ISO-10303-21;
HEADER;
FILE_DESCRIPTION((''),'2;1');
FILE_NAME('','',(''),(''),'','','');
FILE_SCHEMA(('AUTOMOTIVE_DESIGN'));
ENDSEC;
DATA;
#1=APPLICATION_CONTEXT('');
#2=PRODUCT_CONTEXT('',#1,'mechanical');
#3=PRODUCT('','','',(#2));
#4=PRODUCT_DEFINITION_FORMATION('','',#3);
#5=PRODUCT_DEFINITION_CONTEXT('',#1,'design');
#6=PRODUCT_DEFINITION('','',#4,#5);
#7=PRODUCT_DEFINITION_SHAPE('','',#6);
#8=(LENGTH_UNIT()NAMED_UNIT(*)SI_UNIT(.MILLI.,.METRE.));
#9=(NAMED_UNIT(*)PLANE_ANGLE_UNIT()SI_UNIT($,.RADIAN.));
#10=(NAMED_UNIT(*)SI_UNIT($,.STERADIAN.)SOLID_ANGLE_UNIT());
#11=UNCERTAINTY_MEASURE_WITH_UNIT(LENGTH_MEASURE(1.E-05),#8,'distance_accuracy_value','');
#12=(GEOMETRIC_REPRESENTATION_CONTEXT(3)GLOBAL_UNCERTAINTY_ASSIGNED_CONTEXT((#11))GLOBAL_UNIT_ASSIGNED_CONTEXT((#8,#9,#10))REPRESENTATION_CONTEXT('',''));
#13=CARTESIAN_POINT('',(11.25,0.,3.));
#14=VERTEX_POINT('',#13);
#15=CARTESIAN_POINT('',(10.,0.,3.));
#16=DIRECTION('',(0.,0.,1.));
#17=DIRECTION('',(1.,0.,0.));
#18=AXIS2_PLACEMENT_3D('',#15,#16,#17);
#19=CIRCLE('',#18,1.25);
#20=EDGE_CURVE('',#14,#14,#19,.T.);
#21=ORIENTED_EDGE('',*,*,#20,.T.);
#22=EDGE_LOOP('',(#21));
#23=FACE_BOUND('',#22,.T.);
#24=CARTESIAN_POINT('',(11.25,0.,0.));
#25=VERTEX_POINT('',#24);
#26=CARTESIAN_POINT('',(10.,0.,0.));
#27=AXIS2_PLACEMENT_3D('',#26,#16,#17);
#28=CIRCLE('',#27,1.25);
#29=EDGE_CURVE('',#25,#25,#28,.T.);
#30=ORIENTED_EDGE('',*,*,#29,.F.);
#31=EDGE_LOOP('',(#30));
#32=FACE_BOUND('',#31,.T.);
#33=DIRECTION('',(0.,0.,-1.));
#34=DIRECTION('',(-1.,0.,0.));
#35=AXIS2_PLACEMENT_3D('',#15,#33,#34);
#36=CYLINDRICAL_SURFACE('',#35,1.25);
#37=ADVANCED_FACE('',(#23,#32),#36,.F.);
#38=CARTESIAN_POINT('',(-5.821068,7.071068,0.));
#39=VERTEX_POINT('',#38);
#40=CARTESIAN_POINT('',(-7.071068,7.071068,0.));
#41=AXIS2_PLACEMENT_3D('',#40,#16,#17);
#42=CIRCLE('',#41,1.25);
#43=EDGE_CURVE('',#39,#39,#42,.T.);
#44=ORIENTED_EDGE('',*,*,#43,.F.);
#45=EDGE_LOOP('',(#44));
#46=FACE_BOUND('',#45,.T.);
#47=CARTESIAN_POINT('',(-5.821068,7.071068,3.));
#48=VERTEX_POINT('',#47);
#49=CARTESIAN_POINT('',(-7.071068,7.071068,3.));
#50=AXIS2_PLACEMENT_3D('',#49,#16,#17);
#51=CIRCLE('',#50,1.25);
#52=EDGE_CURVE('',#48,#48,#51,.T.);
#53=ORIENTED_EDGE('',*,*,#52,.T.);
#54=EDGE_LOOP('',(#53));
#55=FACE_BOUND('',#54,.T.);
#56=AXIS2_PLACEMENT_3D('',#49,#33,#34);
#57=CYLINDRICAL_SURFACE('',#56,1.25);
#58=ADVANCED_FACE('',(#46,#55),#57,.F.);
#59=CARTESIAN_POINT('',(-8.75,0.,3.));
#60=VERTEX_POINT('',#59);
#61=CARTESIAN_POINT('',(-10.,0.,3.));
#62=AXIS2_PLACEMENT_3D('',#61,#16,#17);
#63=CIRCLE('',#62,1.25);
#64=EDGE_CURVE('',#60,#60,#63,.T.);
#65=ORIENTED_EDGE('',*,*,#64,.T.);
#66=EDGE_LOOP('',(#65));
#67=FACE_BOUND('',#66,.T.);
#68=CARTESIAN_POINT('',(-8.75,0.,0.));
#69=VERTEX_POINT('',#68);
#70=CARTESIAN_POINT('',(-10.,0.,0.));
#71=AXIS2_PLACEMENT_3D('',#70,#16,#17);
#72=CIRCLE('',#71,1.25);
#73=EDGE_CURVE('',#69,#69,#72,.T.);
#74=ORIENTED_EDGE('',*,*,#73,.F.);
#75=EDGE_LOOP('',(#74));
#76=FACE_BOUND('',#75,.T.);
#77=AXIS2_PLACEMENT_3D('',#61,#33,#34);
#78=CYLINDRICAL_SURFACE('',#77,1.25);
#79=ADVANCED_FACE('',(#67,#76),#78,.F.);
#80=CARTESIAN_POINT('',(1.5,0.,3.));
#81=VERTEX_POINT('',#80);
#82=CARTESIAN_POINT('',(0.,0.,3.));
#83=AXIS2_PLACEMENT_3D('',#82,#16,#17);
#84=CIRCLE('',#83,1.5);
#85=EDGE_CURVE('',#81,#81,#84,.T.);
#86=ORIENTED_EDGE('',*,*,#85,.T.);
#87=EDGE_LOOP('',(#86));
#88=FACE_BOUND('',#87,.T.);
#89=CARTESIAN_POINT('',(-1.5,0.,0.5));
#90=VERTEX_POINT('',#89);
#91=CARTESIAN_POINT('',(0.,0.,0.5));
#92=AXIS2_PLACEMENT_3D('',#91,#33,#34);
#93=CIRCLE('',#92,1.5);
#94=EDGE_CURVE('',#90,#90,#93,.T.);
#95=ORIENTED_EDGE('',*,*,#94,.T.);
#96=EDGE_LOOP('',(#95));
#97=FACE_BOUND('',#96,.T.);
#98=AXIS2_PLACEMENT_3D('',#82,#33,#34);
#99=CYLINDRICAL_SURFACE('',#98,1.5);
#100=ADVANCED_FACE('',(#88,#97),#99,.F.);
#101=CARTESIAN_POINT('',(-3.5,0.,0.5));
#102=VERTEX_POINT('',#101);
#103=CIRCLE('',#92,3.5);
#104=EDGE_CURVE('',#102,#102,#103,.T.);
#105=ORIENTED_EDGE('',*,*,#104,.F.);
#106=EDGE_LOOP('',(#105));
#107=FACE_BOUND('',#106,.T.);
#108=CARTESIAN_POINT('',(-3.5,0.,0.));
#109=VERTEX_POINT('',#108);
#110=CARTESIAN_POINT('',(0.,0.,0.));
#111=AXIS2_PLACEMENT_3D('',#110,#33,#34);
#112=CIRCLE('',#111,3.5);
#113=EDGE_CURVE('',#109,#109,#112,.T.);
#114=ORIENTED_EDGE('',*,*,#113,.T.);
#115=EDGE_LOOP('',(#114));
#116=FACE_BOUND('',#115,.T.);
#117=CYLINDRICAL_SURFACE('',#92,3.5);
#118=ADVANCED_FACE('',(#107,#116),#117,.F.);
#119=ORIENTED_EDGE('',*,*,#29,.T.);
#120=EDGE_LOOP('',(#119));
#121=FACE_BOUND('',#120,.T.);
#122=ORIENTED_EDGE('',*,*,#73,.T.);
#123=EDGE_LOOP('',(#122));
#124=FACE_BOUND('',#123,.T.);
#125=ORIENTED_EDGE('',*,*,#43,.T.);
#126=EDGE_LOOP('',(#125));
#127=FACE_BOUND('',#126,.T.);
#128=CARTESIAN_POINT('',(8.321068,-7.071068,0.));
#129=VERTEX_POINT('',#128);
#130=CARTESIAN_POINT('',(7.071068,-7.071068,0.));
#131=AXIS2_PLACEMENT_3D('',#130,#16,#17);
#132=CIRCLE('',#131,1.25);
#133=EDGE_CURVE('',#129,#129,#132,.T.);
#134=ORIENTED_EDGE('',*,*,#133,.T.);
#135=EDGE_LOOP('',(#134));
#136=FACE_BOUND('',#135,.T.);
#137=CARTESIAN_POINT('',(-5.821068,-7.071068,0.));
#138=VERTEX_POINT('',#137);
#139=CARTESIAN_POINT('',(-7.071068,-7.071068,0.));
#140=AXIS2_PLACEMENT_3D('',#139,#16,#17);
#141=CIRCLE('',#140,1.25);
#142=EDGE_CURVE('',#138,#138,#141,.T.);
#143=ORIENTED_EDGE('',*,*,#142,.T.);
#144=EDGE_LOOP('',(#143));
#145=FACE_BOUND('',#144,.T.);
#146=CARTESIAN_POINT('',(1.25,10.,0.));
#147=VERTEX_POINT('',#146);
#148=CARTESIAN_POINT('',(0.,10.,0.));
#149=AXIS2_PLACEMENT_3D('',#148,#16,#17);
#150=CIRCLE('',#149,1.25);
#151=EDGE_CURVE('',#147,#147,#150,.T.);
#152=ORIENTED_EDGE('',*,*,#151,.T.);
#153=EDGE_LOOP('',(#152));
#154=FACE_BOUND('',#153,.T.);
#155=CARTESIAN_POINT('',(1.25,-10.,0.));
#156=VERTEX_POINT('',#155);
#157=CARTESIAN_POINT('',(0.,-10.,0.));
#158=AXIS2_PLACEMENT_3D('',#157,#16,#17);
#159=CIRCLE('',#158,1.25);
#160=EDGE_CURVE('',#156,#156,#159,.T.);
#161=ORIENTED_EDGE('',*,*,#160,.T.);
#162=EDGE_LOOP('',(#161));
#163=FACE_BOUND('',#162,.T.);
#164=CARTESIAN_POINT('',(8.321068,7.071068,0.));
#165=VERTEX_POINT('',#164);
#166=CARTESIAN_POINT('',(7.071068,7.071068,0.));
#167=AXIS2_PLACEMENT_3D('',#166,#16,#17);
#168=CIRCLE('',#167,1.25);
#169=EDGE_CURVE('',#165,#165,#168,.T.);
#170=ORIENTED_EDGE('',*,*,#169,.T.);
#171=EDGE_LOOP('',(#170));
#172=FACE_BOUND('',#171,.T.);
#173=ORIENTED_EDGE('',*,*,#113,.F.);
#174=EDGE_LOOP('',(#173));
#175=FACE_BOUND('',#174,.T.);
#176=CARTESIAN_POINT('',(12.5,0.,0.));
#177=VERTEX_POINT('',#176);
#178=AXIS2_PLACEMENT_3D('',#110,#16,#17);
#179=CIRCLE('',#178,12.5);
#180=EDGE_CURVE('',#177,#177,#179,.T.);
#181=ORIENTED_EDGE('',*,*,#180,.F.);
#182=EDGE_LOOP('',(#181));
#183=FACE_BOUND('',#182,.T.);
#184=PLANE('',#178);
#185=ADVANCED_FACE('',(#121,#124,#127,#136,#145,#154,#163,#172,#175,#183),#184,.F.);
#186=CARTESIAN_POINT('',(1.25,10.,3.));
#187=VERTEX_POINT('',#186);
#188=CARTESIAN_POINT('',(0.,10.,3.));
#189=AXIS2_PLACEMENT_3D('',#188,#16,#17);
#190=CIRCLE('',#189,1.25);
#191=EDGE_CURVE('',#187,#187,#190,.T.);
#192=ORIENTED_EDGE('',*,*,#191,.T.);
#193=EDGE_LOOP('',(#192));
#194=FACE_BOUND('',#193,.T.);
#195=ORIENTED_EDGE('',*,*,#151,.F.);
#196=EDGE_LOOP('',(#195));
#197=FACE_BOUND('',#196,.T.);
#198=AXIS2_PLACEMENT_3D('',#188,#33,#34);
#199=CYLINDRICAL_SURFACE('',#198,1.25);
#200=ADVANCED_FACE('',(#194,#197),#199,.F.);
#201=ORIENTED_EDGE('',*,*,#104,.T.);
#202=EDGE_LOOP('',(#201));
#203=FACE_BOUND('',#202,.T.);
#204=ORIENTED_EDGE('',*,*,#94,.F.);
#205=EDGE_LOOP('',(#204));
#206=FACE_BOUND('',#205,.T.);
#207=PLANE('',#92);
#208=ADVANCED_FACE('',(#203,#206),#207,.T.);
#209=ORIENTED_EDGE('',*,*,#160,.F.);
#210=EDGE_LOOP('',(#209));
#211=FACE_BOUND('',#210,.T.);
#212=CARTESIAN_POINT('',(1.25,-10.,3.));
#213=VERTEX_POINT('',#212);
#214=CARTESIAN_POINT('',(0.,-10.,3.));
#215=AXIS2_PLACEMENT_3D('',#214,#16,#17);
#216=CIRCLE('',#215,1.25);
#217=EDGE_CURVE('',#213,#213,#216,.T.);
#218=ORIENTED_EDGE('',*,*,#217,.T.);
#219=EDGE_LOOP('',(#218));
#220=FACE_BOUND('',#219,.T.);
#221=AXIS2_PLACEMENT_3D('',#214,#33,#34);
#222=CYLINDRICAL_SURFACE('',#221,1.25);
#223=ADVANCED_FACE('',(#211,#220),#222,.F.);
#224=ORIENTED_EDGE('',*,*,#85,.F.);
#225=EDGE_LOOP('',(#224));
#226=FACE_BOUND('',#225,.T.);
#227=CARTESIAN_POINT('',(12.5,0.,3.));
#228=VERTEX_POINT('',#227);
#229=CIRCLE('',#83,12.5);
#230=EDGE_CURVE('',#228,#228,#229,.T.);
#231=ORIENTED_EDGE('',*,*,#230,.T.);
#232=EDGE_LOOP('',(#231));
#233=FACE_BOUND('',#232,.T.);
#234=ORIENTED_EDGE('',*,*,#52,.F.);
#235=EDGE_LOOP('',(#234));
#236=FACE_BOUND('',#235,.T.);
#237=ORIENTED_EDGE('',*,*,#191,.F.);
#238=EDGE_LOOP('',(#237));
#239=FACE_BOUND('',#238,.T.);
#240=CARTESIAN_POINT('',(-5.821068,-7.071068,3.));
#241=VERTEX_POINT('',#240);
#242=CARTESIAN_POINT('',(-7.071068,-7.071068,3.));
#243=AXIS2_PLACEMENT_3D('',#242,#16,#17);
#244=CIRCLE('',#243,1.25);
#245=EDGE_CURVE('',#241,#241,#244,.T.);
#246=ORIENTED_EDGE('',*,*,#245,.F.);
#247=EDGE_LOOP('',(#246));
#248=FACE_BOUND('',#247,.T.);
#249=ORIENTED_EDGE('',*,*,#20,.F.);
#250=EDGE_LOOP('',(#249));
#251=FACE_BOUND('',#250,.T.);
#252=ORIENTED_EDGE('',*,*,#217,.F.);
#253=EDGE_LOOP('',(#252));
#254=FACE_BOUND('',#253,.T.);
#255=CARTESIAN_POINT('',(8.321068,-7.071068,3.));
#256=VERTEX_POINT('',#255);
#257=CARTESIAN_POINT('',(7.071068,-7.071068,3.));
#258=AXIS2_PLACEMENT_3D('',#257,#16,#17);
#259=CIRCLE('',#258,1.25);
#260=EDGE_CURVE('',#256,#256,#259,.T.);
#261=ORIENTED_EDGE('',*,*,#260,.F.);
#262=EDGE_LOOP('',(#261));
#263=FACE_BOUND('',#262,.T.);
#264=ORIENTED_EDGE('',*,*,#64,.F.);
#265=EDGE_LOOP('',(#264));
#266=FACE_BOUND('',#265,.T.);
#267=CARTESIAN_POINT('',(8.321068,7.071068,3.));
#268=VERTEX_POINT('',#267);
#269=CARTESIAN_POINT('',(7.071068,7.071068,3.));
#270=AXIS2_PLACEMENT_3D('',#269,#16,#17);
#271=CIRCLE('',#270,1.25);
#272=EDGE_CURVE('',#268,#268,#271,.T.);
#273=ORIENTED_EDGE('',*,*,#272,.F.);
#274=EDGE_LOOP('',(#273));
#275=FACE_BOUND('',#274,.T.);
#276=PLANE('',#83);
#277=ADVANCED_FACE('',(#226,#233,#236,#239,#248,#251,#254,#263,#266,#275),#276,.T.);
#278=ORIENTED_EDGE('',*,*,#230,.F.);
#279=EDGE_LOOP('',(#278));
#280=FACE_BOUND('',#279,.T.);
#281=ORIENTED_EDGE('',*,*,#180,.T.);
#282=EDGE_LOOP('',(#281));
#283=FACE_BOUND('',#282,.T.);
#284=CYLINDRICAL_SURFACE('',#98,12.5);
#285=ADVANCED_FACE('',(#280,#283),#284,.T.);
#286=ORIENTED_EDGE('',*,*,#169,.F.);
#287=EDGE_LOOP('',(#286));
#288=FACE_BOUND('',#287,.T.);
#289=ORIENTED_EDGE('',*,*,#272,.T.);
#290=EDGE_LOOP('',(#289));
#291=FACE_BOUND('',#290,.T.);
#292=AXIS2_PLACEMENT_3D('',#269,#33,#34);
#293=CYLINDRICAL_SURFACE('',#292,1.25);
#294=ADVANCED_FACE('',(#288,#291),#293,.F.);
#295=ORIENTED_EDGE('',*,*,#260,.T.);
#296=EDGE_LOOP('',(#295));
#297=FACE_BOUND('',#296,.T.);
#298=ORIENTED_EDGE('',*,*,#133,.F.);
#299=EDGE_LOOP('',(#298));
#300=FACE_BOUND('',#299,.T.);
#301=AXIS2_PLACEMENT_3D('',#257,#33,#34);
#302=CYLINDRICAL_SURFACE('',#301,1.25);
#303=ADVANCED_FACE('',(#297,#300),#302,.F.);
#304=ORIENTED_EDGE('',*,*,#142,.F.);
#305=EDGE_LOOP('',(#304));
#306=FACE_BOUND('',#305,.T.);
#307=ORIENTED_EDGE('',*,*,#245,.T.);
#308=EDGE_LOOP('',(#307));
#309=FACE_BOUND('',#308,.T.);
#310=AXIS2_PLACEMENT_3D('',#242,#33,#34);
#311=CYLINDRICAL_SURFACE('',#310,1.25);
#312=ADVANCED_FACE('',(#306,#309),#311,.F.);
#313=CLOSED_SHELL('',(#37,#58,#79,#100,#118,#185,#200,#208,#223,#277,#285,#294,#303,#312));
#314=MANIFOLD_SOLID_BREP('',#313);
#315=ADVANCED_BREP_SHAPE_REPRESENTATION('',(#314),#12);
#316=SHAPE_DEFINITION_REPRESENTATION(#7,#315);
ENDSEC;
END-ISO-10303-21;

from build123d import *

# Parameters (mm, degrees)
SKETCH1_R           = 12.5
SKETCH1_R_2         = 1.25
SKETCH1_R_3         = 1.5
BOSS_EXTRUDE1_DEPTH = 3
SKETCH3_R           = 3.5
SKETCH3_R_2         = 1.5
CUT_EXTRUDE1_DEPTH  = 0.5


with BuildPart() as part:
    # Sketch1 → Boss-Extrude1 (new body)
    with BuildSketch(Plane.XY):
        Circle(SKETCH1_R)
        with Locations((0, 10)):
            Circle(SKETCH1_R_2, mode=Mode.SUBTRACT)
        Circle(SKETCH1_R_3, mode=Mode.SUBTRACT)
        with Locations((7.071067812, 7.071067812)):
            Circle(SKETCH1_R_2, mode=Mode.SUBTRACT)
        with Locations((10, 0)):
            Circle(SKETCH1_R_2, mode=Mode.SUBTRACT)
        with Locations((7.071067812, -7.071067812)):
            Circle(SKETCH1_R_2, mode=Mode.SUBTRACT)
        with Locations((0, -10)):
            Circle(SKETCH1_R_2, mode=Mode.SUBTRACT)
        with Locations((-7.071067812, -7.071067812)):
            Circle(SKETCH1_R_2, mode=Mode.SUBTRACT)
        with Locations((-10, 0)):
            Circle(SKETCH1_R_2, mode=Mode.SUBTRACT)
        with Locations((-7.071067812, 7.071067812)):
            Circle(SKETCH1_R_2, mode=Mode.SUBTRACT)
    extrude(amount=BOSS_EXTRUDE1_DEPTH)

    # Sketch3 → Cut-Extrude1 (cut)
    with BuildSketch(Plane(origin=(0, 0, 0), x_dir=(-1, 0, 0), z_dir=(0, 0, -1))):
        Circle(SKETCH3_R)
        Circle(SKETCH3_R_2, mode=Mode.SUBTRACT)
    extrude(amount=-CUT_EXTRUDE1_DEPTH, mode=Mode.SUBTRACT)


solid = part.part
